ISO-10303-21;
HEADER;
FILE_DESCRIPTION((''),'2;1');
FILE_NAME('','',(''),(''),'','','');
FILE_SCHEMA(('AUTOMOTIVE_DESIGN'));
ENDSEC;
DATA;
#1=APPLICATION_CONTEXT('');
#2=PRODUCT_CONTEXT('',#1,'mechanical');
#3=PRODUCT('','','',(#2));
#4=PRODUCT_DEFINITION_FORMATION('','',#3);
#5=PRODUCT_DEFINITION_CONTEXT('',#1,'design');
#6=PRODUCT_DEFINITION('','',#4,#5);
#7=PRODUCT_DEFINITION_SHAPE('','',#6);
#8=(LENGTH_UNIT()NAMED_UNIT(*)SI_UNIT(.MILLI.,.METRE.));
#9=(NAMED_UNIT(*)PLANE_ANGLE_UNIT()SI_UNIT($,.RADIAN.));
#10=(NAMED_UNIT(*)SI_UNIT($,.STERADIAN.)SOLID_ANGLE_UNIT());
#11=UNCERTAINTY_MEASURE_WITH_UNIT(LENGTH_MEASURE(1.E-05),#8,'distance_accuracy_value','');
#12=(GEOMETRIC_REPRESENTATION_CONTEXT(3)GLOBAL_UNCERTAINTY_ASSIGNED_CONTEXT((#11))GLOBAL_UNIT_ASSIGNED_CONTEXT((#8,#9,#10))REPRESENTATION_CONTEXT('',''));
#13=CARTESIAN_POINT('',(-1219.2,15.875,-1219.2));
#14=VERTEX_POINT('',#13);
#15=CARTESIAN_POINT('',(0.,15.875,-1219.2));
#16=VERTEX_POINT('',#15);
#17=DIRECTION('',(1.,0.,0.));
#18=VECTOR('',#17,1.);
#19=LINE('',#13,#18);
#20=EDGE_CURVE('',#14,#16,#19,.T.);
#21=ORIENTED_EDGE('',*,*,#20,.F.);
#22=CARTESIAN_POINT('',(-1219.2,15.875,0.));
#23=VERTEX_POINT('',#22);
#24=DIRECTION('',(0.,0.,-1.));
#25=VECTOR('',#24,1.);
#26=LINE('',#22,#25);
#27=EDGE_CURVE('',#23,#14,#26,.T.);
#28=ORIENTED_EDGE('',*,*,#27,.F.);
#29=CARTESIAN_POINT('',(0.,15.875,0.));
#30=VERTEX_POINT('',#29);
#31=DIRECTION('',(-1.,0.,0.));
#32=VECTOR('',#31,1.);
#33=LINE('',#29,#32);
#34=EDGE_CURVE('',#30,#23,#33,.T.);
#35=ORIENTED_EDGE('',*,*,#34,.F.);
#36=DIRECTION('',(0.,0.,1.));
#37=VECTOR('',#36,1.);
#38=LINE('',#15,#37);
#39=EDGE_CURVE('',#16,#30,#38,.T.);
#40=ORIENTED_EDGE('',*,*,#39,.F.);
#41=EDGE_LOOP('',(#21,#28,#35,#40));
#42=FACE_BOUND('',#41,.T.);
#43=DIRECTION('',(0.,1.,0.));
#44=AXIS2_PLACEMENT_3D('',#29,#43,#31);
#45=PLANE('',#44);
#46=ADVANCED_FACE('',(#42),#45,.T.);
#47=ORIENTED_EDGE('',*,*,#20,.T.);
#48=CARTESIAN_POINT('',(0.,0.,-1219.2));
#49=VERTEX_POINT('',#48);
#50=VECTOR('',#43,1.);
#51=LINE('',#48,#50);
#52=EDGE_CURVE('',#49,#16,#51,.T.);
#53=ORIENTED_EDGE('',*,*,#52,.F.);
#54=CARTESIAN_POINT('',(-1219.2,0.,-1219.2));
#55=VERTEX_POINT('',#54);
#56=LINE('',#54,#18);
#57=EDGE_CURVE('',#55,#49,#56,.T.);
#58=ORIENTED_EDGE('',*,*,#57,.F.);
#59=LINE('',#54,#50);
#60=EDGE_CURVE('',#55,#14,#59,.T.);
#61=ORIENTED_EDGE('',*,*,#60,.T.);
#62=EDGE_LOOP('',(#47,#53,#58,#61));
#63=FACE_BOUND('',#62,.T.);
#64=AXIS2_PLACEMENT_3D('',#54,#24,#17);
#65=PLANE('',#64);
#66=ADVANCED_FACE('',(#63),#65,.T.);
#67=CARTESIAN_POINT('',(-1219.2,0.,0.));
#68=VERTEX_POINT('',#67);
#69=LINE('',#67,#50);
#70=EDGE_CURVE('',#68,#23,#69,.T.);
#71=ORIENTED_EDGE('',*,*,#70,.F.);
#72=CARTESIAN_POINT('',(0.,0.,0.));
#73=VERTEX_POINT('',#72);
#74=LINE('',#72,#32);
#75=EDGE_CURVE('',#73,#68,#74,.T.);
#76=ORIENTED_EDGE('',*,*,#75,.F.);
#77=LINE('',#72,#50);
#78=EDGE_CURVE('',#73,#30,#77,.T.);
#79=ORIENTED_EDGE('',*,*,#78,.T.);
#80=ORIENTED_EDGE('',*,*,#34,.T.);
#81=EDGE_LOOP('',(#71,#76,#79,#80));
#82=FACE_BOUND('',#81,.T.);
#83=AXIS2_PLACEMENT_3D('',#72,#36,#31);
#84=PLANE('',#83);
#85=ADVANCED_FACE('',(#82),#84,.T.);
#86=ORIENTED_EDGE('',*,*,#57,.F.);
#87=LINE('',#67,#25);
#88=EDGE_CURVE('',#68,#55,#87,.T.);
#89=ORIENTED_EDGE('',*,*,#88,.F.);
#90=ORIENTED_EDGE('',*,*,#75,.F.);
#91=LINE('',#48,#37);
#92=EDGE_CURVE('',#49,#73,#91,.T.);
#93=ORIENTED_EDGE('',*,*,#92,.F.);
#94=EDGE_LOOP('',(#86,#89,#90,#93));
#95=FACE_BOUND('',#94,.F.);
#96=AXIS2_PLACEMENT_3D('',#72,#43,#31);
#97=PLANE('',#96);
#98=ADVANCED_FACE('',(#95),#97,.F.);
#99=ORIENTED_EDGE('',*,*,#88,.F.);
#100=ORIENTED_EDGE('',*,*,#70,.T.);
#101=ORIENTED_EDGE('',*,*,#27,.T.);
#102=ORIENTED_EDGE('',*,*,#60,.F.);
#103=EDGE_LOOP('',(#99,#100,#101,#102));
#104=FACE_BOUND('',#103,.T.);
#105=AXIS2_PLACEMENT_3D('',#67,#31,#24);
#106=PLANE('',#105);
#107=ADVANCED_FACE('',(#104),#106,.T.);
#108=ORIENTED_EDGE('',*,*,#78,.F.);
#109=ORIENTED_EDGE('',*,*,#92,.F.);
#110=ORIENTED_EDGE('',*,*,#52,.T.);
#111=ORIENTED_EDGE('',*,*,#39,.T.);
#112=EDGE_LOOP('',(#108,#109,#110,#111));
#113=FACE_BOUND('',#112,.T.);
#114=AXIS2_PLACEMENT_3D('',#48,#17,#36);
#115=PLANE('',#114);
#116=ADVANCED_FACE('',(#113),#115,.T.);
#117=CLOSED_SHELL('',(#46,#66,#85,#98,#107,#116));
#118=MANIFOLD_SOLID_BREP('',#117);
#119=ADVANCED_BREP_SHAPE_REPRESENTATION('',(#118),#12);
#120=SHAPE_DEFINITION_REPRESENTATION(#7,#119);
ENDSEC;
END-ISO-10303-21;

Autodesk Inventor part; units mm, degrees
ref_plane "YZ Plane" through (0, 0, 0) normal (1, 0, 0) x (0, 1, 0)
ref_plane "XZ Plane" through (0, 0, 0) normal (0, 1, 0) x (-1, 0, 0)
ref_plane "XY Plane" through (0, 0, 0) normal (0, 0, 1) x (1, 0, 0)
sketch "Sketch1" plane through (0, 0, 0) normal (0, 1, 0) x (-1, 0, 0)
  line L0 (0, 0) -> (1219.2, 0)
  line L1 (1219.2, 0) -> (1219.2, -1219.2)
  line L2 (1219.2, -1219.2) -> (0, -1219.2)
  line L3 (0, -1219.2) -> (0, 0)
  dimension "d2" = 1219.2
  dimension "d3" = 1219.2
extrude "Extrusion1" add sketch "Sketch1" along normal blind 15.875
properties part number "OSB_For_Roof_With_Dimensions_48_x_48" material "Wood (Birch)"
